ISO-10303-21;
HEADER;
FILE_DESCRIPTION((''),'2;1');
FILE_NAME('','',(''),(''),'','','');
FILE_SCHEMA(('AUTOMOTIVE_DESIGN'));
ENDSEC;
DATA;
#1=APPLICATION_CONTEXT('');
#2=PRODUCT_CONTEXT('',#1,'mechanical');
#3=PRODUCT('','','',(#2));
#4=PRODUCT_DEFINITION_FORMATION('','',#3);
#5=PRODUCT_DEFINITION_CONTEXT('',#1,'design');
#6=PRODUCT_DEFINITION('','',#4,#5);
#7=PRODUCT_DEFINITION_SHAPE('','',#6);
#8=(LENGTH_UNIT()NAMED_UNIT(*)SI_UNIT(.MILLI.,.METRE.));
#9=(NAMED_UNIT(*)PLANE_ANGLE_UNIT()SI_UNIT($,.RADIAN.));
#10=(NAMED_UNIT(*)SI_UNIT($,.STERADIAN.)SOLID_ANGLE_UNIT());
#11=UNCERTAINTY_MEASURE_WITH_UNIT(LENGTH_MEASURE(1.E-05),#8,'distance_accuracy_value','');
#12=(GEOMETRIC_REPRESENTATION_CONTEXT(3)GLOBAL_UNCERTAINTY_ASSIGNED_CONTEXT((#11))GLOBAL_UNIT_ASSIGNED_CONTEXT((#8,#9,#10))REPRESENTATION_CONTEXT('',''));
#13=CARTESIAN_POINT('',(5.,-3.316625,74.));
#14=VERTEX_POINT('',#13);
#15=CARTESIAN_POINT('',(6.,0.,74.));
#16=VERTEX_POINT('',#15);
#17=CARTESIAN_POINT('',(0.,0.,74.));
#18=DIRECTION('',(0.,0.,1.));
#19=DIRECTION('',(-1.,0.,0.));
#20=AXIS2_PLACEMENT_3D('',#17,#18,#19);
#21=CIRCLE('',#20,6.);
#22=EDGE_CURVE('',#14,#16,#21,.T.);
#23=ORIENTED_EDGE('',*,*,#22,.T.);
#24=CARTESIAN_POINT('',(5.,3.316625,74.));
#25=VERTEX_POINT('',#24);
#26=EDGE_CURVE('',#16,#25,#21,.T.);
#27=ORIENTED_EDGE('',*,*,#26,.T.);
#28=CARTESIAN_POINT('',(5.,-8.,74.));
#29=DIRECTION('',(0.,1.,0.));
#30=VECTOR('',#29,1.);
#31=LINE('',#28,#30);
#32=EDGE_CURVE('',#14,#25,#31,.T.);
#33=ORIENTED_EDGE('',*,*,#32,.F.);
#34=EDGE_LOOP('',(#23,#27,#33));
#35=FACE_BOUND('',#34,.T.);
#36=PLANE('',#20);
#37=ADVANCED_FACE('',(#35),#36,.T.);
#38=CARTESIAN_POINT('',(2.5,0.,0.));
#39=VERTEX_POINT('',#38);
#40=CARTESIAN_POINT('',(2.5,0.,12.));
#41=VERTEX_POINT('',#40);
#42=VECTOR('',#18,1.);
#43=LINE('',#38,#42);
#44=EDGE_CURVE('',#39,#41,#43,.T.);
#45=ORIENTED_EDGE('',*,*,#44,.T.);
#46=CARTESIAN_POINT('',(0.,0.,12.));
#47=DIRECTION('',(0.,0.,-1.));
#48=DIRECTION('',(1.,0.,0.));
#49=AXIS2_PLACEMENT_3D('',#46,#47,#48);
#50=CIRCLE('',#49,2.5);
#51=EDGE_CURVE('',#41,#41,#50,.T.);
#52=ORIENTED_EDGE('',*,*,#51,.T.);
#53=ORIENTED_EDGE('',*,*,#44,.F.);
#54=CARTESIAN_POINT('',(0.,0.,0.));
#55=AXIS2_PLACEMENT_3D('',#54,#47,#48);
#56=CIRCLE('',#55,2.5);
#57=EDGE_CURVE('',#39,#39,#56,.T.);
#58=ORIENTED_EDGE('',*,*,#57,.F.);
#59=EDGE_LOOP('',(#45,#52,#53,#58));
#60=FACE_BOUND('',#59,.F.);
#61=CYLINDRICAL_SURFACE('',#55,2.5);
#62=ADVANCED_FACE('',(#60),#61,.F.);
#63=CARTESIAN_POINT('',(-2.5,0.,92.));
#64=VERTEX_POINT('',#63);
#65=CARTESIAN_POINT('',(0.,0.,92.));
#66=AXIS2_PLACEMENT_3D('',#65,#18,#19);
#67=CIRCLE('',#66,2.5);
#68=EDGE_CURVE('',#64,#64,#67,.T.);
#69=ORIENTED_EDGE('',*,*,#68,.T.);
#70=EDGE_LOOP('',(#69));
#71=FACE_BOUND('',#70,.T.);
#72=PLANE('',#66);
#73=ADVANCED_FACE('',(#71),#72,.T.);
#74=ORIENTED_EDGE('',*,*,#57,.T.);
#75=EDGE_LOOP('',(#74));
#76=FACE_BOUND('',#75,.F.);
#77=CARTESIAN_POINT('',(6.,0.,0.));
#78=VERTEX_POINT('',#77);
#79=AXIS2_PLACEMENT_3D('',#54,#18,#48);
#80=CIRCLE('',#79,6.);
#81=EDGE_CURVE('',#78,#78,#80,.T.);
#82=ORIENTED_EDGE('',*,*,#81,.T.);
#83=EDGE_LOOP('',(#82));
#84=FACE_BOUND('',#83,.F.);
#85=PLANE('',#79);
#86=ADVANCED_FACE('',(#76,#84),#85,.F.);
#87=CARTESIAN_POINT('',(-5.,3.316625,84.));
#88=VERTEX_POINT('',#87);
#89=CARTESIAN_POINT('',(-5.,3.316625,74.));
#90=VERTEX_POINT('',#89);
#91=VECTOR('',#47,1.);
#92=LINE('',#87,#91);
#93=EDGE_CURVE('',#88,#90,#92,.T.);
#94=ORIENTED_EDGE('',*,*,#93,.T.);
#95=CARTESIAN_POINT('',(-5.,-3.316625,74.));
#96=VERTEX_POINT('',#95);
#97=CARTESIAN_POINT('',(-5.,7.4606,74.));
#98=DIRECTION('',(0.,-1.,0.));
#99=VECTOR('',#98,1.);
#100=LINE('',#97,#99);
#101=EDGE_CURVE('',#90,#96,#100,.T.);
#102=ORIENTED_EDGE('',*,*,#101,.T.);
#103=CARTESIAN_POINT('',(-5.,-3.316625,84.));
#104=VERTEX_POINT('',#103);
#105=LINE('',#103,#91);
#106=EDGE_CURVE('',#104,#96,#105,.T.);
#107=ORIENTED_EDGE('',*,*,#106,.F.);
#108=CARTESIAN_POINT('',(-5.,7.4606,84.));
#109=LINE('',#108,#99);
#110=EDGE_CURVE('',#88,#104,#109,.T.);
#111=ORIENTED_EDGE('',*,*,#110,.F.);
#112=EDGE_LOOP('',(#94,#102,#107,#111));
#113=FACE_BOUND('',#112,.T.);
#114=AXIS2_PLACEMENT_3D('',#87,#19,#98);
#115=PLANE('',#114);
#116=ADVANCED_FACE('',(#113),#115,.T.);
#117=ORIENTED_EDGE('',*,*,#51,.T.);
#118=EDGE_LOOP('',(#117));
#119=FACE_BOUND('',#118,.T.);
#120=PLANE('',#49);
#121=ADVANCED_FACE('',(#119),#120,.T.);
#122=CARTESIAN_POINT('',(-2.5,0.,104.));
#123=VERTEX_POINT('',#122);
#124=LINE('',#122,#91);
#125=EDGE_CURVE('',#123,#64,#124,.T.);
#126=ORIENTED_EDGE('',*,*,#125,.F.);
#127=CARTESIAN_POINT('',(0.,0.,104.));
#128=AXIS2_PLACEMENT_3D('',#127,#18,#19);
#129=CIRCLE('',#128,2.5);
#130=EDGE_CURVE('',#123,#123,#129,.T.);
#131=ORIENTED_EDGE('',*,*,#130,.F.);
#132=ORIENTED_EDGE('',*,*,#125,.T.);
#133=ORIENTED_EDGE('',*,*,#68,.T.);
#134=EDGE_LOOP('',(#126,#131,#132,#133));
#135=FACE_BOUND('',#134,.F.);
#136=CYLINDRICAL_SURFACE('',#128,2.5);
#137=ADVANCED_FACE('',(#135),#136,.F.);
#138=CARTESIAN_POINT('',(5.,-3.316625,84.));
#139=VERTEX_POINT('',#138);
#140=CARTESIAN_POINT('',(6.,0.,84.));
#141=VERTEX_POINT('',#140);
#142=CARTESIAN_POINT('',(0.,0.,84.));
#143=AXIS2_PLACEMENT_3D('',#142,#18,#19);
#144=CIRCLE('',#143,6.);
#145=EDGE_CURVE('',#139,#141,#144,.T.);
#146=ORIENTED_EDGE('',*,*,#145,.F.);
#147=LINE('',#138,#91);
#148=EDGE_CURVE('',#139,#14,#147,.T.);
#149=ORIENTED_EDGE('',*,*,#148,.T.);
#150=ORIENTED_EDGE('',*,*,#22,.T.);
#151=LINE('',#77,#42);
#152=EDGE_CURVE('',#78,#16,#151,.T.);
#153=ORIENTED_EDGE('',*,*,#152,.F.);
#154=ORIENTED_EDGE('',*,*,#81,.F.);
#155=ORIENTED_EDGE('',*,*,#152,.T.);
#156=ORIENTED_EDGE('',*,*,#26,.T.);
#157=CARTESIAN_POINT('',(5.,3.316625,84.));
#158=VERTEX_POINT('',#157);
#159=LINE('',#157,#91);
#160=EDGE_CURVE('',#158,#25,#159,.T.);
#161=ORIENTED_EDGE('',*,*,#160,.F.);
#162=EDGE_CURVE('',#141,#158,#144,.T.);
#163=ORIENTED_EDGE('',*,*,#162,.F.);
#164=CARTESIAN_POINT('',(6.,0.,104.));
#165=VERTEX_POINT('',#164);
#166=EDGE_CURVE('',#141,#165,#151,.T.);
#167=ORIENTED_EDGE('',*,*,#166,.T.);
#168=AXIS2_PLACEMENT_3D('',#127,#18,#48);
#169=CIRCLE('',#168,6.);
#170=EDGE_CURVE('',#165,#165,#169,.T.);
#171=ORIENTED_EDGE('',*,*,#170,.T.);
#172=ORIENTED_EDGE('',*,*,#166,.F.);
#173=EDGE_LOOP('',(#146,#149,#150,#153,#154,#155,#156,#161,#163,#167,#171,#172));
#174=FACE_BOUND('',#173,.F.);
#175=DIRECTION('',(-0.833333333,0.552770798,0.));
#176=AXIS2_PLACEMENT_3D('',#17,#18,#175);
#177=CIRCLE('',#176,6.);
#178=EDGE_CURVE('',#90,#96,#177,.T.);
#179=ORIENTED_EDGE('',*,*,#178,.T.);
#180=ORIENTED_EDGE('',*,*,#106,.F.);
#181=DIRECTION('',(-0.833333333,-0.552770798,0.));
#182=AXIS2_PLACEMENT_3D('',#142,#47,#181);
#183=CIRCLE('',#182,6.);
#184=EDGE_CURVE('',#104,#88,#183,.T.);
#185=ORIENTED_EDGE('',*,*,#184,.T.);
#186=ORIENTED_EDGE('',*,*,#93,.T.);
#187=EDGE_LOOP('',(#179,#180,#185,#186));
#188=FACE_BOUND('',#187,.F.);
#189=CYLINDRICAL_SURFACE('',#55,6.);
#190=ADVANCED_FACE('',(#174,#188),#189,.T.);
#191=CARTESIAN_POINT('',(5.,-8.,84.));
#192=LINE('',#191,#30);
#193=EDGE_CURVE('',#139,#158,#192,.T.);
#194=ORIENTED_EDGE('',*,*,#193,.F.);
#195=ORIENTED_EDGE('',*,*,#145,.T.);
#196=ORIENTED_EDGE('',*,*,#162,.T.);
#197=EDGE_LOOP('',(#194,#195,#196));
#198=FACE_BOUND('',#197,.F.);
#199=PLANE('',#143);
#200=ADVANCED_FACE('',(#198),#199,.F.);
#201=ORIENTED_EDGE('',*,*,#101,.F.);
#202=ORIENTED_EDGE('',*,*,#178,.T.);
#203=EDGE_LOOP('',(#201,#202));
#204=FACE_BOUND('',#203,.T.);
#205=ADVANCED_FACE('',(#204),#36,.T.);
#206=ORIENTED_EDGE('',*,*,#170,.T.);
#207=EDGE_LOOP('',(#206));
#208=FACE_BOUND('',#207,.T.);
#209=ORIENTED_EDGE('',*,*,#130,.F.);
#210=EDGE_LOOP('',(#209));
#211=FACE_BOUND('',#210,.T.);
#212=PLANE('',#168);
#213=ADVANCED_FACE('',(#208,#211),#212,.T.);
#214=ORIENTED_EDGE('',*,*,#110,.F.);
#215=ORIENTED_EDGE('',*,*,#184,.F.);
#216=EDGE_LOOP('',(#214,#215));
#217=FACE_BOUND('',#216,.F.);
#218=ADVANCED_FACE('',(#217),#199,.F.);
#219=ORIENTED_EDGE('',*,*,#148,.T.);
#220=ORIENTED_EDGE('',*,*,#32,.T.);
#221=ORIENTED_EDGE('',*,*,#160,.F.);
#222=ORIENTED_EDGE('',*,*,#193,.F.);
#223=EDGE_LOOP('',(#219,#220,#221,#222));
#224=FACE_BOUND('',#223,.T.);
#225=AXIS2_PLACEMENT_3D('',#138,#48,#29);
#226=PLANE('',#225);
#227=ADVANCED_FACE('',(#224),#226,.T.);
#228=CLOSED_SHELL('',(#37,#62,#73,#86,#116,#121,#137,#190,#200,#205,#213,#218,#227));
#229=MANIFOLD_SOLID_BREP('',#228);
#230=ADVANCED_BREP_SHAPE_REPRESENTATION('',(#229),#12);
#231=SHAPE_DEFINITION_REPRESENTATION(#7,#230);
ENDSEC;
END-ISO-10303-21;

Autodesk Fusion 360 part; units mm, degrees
sketch "Esquisse1" plane through (0, 0, 0) normal (0, 0, 1) x (1, 0, 0)
  circle A0 centre (0, 0) radius 6
  dimension "d1" = 12
extrude "Extrusion1" add sketch "Esquisse1" along normal blind 104
sketch "Esquisse2" plane through (0, 0, 104) normal (0, 0, 1) x (-1, 0, 0)
  circle A0 centre (0, 0) radius 6
  circle A1 centre (0, 0) radius 2.5
  dimension "d5" = 5
extrude "Extrusion2" cut sketch "Esquisse2" against normal blind 12 contours A1
sketch "Esquisse3" plane through (0, 0, 0) normal (0, 0, -1) x (1, 0, 0)
  circle A0 centre (0, 0) radius 6
  circle A1 centre (0, 0) radius 2.5
  dimension "d8" = 5
extrude "Extrusion3" cut sketch "Esquisse3" against normal blind 12 contours A1
sketch "Esquisse4" plane through (0, 0, 104) normal (0, 0, 1) x (-1, 0, 0)
  circle A0 centre (0, 0) radius 2.5
  circle A1 centre (0, 0) radius 6
  line L0 (5, 8) -> (-5, 8)
  line L1 (-5, 8) -> (-5, -7.4606)
  line L2 (-5, -7.4606) -> (5, -7.4606)
  line L3 (5, -7.4606) -> (5, 8)
  dimension "d11" = 5
  dimension "d12" = 10
extrude "Extrusion4" cut sketch "Esquisse4" against normal blind 10 from surface at -20 contours A1 L3 | A1 L1
